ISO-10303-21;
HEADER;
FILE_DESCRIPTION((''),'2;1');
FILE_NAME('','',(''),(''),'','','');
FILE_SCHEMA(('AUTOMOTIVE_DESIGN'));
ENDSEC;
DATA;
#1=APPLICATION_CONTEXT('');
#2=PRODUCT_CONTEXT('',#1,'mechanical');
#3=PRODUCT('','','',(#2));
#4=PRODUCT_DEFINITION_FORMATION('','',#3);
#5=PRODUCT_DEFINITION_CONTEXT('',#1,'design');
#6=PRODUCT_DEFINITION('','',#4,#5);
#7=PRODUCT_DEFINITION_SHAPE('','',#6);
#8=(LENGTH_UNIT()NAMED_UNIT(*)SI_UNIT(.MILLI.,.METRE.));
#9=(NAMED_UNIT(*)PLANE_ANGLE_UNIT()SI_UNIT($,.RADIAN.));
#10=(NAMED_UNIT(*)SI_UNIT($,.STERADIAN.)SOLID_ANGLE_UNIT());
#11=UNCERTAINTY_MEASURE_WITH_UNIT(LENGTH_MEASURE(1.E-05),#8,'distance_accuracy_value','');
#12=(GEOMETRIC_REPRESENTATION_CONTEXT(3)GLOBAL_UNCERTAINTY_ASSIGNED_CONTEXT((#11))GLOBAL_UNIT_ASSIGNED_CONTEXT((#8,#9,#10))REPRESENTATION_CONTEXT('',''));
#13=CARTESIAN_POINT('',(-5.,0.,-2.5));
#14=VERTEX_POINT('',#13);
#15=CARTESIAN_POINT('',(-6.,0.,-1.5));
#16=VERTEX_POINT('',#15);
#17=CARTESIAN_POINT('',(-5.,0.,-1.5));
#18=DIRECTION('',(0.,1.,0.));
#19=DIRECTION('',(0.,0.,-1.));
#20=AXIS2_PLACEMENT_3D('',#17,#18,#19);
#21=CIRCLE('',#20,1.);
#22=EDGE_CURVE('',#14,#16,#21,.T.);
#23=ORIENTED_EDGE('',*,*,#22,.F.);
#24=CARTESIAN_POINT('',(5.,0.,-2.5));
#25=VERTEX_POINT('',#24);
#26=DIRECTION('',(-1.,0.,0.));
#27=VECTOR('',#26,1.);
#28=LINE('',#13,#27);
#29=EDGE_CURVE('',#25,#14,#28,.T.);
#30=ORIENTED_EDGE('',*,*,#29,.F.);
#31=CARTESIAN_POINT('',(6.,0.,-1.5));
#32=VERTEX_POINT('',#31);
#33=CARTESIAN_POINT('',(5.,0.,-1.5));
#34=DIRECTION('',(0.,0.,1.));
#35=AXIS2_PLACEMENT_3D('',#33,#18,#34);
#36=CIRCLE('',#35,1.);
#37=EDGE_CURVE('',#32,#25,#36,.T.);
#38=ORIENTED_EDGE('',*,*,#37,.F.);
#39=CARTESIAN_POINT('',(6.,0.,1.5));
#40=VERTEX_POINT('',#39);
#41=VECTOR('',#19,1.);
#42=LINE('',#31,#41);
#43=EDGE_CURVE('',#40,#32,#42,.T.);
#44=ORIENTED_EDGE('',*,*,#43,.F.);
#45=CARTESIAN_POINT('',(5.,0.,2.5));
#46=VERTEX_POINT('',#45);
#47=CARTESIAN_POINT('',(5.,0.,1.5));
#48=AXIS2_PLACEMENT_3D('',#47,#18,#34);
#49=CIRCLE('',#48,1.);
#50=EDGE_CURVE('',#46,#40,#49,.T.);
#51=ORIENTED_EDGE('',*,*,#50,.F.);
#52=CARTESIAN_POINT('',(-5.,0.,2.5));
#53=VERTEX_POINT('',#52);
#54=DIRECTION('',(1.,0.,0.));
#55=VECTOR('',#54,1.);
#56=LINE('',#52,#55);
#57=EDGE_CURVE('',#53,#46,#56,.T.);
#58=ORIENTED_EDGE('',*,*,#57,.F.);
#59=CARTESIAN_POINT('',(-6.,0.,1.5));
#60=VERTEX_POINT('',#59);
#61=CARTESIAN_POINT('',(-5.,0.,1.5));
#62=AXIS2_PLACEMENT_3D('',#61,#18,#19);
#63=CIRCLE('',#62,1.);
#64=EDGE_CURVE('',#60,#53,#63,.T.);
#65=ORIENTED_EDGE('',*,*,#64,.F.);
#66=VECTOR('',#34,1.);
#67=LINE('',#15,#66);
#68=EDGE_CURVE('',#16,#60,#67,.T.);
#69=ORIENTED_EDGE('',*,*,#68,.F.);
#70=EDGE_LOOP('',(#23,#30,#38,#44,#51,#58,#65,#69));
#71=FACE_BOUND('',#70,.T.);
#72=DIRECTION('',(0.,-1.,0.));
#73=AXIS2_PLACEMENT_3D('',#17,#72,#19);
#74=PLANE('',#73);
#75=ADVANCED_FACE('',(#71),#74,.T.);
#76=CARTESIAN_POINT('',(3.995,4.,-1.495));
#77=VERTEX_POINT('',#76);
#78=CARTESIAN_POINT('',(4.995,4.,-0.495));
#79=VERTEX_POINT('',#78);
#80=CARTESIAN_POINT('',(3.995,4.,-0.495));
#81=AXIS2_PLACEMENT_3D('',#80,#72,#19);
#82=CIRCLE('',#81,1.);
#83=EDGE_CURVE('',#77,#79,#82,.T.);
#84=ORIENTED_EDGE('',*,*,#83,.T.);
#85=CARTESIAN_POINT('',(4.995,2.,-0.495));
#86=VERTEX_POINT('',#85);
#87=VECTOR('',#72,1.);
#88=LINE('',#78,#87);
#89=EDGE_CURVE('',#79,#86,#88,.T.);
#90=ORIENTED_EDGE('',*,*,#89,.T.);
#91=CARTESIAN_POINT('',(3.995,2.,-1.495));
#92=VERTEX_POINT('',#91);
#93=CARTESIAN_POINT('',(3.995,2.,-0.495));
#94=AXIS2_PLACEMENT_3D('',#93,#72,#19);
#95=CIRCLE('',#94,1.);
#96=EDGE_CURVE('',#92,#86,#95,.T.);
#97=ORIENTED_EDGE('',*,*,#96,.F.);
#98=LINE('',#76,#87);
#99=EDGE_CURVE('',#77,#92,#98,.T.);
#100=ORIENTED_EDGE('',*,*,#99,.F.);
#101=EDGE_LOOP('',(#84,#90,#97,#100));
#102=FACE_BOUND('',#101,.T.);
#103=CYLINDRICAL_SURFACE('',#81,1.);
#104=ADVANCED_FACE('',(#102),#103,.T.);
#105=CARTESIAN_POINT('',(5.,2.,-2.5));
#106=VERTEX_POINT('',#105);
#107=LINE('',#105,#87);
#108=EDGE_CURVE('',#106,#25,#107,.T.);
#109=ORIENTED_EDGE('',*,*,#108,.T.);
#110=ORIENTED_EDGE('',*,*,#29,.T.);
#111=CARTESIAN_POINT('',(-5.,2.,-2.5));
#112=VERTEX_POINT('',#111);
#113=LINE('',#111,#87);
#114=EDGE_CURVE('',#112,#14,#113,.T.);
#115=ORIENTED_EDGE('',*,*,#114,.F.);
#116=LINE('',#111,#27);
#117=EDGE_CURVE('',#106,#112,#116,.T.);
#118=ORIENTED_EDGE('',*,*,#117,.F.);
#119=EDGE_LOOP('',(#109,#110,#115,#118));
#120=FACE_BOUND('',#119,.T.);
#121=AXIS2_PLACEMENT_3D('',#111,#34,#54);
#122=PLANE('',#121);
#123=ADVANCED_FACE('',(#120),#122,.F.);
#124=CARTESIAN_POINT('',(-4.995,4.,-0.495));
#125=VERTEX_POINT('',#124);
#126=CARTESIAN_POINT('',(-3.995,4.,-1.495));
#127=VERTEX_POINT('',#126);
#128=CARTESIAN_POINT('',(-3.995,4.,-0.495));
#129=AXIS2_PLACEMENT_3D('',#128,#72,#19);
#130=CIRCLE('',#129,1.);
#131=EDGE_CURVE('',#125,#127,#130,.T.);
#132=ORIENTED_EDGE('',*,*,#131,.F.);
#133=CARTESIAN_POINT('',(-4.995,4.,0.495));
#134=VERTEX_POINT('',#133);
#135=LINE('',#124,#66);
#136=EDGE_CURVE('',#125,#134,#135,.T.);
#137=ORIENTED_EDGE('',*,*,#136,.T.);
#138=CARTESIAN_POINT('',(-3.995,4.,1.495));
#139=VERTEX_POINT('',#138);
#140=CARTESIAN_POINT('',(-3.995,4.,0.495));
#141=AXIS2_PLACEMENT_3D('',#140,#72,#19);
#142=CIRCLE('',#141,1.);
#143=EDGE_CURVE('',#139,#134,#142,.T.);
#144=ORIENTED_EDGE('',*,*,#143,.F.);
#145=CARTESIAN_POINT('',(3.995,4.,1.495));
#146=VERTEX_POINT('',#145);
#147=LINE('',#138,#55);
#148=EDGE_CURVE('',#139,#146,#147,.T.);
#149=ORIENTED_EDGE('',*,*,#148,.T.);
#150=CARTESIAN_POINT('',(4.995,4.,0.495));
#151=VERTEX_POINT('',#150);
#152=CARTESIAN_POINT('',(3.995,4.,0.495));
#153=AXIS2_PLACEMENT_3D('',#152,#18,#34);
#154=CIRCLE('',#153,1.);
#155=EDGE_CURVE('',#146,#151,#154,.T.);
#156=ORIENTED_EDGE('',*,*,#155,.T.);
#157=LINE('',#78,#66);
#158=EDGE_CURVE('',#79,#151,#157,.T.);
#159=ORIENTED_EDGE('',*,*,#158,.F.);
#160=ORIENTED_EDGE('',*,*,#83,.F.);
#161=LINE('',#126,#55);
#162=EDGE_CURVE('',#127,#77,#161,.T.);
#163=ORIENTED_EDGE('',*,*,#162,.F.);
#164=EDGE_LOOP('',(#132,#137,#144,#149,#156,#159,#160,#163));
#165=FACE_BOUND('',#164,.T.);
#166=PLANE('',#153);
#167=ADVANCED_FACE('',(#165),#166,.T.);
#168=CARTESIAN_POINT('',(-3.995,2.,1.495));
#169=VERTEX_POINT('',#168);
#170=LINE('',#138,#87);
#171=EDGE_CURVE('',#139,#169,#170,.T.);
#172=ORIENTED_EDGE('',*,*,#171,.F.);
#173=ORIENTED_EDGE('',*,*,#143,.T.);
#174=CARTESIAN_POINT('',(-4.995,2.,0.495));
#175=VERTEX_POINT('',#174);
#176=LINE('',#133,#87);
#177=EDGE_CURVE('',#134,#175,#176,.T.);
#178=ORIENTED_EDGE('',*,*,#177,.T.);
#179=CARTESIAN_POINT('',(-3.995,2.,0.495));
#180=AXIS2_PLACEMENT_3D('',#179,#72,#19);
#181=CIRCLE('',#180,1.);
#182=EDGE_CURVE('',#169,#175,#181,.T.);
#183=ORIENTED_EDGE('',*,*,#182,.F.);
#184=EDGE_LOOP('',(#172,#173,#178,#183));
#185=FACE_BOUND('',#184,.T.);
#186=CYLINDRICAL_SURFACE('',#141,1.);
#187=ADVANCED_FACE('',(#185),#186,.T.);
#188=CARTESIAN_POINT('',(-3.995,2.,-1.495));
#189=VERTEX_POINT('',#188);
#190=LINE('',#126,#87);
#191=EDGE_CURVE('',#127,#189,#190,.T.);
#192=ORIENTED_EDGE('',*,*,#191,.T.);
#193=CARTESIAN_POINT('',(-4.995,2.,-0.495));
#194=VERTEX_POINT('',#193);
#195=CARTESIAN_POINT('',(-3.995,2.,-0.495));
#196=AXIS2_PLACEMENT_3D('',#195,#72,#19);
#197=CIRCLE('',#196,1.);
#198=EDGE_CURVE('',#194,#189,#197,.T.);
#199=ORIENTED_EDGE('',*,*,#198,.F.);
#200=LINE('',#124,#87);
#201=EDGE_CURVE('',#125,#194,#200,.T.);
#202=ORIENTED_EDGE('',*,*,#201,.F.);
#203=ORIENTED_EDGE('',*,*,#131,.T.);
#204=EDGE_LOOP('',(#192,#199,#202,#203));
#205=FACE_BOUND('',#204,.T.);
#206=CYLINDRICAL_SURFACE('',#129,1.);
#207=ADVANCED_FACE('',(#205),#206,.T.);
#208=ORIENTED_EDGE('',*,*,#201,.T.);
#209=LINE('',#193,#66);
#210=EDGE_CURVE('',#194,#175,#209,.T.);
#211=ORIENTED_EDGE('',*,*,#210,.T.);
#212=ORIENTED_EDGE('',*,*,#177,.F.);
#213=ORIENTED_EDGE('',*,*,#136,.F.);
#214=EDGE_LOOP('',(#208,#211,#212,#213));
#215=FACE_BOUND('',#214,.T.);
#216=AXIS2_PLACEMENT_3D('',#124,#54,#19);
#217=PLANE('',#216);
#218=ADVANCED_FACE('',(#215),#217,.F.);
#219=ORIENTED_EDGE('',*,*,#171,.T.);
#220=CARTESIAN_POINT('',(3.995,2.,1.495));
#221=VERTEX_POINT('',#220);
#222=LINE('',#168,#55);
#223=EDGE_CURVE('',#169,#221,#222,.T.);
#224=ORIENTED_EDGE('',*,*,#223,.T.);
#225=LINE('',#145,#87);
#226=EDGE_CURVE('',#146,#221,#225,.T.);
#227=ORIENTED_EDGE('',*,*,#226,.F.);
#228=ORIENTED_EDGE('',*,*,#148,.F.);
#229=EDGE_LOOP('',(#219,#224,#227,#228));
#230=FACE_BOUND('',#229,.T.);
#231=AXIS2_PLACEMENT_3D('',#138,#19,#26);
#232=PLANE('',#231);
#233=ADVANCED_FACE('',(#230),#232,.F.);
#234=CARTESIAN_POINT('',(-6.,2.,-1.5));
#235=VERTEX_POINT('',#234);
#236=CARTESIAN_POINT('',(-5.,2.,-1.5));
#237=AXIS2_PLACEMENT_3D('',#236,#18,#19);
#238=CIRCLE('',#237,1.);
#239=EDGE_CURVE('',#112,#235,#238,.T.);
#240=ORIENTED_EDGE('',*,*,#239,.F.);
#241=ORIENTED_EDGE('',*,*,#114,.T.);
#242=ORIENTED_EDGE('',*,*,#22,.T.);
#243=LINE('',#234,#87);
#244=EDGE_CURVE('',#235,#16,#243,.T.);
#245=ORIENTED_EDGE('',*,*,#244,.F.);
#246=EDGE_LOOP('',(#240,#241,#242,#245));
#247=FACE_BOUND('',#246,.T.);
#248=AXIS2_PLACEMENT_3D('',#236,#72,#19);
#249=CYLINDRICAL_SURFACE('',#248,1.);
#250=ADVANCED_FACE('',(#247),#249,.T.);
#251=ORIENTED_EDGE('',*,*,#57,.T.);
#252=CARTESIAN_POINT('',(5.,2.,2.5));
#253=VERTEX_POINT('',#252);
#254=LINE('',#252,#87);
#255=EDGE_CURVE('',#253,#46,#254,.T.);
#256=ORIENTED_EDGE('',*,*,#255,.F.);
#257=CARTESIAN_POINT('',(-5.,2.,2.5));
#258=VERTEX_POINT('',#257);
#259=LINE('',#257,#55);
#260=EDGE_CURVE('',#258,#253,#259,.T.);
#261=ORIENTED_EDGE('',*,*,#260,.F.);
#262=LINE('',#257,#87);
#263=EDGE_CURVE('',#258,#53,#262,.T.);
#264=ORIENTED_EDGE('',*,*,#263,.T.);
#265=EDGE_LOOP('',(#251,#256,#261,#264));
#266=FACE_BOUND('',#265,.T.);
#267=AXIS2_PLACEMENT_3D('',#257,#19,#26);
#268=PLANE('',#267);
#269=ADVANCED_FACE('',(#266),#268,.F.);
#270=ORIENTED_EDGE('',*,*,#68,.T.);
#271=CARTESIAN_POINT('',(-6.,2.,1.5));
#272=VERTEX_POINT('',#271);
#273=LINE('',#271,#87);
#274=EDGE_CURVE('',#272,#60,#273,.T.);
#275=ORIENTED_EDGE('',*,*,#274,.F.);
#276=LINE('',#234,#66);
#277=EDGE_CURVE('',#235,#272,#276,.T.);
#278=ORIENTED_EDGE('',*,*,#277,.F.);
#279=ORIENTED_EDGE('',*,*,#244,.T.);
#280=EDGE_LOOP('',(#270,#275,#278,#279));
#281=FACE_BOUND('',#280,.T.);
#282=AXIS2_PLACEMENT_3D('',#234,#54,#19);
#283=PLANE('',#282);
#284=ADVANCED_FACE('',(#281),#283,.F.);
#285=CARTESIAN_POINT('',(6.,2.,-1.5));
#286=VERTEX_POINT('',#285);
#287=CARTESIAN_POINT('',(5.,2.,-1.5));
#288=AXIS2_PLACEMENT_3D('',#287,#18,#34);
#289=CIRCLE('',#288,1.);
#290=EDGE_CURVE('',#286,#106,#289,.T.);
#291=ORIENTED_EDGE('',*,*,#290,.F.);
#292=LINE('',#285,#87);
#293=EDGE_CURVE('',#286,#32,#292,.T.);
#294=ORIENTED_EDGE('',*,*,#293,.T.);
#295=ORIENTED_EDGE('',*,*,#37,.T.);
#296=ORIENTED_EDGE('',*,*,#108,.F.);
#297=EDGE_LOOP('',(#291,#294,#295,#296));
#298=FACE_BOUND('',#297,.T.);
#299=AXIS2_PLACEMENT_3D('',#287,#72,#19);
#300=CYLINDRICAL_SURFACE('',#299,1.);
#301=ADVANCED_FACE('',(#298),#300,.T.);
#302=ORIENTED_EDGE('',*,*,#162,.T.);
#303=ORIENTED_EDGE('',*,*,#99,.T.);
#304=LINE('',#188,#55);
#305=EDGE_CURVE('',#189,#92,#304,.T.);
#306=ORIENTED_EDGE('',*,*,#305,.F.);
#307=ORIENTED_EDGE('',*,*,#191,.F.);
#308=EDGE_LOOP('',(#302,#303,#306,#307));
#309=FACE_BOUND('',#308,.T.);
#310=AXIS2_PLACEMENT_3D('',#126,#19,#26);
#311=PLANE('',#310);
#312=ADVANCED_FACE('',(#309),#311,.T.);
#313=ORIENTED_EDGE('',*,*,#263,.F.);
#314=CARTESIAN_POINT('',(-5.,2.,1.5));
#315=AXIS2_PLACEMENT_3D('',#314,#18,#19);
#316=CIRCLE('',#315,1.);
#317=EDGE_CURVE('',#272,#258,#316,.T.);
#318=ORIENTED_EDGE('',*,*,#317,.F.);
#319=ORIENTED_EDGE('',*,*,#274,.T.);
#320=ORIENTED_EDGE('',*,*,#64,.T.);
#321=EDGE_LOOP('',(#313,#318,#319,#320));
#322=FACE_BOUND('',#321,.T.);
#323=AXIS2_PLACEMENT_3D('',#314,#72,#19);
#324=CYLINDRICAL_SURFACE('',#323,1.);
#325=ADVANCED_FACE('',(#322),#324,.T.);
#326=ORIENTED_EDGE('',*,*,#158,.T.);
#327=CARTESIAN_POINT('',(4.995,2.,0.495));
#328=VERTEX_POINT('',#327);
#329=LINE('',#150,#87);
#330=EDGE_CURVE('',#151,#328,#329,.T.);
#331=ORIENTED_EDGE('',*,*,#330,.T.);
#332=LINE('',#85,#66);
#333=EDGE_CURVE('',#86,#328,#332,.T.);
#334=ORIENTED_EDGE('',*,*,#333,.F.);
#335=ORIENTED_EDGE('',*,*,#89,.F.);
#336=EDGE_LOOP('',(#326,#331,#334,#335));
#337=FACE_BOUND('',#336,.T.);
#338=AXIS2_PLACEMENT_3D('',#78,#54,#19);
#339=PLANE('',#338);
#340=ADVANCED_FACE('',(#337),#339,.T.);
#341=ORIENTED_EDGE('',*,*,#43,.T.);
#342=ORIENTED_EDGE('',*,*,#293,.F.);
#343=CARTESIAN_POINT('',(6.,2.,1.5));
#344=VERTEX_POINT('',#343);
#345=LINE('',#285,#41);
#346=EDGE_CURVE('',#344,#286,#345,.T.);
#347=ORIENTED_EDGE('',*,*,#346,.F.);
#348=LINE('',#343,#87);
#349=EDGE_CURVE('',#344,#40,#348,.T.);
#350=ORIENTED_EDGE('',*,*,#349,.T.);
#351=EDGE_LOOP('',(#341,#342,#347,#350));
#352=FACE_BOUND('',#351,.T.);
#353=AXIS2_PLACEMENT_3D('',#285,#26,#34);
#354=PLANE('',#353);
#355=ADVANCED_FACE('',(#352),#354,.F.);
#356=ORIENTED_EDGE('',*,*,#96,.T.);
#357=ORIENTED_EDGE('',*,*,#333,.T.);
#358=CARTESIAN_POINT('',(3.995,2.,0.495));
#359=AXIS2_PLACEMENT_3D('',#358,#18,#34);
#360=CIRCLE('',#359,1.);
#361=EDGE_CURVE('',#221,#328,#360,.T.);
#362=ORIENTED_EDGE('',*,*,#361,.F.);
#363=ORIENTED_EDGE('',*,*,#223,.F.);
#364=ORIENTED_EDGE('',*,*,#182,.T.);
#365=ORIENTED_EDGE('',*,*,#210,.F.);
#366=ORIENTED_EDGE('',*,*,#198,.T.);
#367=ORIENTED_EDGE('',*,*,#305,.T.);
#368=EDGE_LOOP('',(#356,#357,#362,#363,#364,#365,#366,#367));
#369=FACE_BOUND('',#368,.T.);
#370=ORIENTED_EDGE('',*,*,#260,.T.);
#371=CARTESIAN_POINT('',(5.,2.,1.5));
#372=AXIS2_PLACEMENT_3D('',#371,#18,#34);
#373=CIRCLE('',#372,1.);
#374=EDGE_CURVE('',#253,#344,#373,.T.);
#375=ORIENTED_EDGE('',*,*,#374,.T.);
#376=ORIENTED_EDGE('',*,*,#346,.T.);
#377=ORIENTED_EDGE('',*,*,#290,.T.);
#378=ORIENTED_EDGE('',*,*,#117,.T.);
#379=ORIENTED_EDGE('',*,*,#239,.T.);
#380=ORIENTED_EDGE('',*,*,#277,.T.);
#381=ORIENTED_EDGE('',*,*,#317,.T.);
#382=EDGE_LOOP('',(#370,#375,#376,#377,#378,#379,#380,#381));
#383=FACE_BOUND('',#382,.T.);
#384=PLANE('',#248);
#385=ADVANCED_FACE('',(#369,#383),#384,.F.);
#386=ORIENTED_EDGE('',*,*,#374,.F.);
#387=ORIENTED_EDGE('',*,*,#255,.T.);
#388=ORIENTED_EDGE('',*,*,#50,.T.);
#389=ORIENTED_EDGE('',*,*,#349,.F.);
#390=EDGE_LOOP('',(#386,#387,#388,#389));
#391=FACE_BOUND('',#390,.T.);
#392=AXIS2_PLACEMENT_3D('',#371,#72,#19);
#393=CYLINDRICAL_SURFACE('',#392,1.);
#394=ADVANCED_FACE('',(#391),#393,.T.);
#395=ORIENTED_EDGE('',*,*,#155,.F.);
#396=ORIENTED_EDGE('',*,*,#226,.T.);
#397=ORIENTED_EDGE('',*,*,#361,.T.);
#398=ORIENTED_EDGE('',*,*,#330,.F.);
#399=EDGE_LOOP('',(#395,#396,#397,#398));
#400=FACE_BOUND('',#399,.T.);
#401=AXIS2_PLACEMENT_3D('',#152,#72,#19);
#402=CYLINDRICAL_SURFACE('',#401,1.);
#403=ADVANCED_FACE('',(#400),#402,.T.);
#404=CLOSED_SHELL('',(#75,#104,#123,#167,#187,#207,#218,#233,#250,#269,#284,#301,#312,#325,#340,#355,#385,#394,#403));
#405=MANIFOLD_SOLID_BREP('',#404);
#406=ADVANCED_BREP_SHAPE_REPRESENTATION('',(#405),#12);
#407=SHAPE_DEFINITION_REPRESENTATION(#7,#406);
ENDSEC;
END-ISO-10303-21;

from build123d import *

# Parameters (mm, degrees)
BOSS_EXTRUDE1_DEPTH = 2
BOSS_EXTRUDE2_DEPTH = 2


with BuildPart() as part:
    # Sketch1 → Boss-Extrude1 (new body)
    with BuildSketch(Plane(origin=(0, 0, 0), x_dir=(1, 0, 0), z_dir=(0, 1, 0))):
        with BuildLine():
            Line((-5, 2.5), (5, 2.5))
            ThreePointArc((5, 2.5), (5.707106781, 2.207106781), (6, 1.5))
            Line((6, 1.5), (6, -1.5))
            ThreePointArc((6, -1.5), (5.707106781, -2.207106781), (5, -2.5))
            Line((5, -2.5), (-5, -2.5))
            ThreePointArc((-5, -2.5), (-5.707106781, -2.207106781), (-6, -1.5))
            Line((-6, -1.5), (-6, 1.5))
            ThreePointArc((-6, 1.5), (-5.707106781, 2.207106781), (-5, 2.5))
        make_face()
    extrude(amount=BOSS_EXTRUDE1_DEPTH)

    # Sketch2 → Boss-Extrude2 (add)
    with BuildSketch(Plane(origin=(0, 2, 0), x_dir=(1, 0, 0), z_dir=(0, 1, 0))):
        with BuildLine():
            Line((-3.995, 1.495), (3.995, 1.495))
            ThreePointArc((3.995, 1.495), (4.702106781, 1.202106781), (4.995, 0.495))
            Line((4.995, 0.495), (4.995, -0.495))
            ThreePointArc((4.995, -0.495), (4.702106781, -1.202106781), (3.995, -1.495))
            Line((3.995, -1.495), (-3.995, -1.495))
            ThreePointArc((-3.995, -1.495), (-4.702106781, -1.202106781), (-4.995, -0.495))
            Line((-4.995, -0.495), (-4.995, 0.495))
            ThreePointArc((-4.995, 0.495), (-4.702106781, 1.202106781), (-3.995, 1.495))
        make_face()
    extrude(amount=BOSS_EXTRUDE2_DEPTH)


solid = part.part
